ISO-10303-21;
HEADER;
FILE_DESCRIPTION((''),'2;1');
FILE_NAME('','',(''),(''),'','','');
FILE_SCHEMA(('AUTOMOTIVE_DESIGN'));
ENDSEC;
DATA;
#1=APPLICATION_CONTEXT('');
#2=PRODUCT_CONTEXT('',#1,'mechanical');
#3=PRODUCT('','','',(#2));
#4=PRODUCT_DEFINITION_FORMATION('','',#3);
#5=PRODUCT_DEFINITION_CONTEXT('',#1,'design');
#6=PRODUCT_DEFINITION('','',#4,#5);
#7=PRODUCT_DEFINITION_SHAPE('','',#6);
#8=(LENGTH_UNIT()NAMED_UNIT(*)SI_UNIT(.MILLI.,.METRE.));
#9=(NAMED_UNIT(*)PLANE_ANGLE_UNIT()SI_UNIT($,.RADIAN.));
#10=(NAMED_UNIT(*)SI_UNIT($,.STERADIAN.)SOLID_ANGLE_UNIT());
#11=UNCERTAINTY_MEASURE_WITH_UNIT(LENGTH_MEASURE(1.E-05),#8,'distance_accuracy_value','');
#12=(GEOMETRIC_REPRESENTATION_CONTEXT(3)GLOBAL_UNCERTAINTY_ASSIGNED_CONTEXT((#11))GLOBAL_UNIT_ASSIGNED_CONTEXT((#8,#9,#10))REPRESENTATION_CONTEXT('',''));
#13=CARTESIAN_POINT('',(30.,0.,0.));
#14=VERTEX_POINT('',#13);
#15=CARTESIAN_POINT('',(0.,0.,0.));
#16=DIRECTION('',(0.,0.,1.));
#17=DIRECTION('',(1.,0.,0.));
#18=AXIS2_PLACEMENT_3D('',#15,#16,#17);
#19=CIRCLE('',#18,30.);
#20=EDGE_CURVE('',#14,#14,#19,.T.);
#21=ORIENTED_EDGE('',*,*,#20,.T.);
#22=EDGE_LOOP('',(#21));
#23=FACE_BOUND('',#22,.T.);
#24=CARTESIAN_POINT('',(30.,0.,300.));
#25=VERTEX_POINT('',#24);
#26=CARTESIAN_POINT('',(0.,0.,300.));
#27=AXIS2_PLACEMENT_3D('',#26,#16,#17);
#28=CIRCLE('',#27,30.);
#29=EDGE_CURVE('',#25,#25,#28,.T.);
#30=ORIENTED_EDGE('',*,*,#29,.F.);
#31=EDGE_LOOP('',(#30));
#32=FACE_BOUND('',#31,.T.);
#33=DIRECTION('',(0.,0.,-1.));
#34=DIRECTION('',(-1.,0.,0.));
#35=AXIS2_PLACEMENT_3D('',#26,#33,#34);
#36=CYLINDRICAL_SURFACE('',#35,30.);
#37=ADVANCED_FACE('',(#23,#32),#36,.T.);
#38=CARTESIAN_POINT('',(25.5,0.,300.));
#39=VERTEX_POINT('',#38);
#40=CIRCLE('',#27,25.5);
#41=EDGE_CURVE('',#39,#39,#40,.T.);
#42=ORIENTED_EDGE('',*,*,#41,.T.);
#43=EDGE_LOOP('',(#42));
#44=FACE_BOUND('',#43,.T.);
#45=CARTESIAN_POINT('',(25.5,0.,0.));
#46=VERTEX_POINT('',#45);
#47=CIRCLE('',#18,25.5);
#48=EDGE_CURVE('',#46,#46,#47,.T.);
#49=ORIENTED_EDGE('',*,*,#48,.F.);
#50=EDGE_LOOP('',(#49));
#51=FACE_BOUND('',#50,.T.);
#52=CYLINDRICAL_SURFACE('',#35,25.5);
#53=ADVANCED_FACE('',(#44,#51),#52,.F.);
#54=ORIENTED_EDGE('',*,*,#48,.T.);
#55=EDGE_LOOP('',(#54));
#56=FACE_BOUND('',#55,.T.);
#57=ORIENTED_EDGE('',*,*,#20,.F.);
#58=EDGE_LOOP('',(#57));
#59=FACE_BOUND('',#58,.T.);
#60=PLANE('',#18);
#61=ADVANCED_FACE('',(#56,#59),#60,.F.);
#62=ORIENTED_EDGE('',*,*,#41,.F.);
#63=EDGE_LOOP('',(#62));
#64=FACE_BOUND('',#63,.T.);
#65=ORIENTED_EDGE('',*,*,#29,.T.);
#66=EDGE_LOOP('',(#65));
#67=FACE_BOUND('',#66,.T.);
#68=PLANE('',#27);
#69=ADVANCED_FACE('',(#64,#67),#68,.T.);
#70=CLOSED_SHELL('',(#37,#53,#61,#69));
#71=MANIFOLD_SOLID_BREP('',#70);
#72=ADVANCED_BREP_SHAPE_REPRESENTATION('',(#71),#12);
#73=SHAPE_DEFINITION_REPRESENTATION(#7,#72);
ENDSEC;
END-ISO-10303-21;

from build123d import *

# Parameters (mm, degrees)
SKETCH1_R           = 30
SKETCH1_R_2         = 25.5
BOSS_EXTRUDE1_DEPTH = 300


with BuildPart() as part:
    # Sketch1 → Boss-Extrude1 (new body)
    with BuildSketch(Plane.XY):
        Circle(SKETCH1_R)
        Circle(SKETCH1_R_2, mode=Mode.SUBTRACT)
    extrude(amount=BOSS_EXTRUDE1_DEPTH)


solid = part.part
